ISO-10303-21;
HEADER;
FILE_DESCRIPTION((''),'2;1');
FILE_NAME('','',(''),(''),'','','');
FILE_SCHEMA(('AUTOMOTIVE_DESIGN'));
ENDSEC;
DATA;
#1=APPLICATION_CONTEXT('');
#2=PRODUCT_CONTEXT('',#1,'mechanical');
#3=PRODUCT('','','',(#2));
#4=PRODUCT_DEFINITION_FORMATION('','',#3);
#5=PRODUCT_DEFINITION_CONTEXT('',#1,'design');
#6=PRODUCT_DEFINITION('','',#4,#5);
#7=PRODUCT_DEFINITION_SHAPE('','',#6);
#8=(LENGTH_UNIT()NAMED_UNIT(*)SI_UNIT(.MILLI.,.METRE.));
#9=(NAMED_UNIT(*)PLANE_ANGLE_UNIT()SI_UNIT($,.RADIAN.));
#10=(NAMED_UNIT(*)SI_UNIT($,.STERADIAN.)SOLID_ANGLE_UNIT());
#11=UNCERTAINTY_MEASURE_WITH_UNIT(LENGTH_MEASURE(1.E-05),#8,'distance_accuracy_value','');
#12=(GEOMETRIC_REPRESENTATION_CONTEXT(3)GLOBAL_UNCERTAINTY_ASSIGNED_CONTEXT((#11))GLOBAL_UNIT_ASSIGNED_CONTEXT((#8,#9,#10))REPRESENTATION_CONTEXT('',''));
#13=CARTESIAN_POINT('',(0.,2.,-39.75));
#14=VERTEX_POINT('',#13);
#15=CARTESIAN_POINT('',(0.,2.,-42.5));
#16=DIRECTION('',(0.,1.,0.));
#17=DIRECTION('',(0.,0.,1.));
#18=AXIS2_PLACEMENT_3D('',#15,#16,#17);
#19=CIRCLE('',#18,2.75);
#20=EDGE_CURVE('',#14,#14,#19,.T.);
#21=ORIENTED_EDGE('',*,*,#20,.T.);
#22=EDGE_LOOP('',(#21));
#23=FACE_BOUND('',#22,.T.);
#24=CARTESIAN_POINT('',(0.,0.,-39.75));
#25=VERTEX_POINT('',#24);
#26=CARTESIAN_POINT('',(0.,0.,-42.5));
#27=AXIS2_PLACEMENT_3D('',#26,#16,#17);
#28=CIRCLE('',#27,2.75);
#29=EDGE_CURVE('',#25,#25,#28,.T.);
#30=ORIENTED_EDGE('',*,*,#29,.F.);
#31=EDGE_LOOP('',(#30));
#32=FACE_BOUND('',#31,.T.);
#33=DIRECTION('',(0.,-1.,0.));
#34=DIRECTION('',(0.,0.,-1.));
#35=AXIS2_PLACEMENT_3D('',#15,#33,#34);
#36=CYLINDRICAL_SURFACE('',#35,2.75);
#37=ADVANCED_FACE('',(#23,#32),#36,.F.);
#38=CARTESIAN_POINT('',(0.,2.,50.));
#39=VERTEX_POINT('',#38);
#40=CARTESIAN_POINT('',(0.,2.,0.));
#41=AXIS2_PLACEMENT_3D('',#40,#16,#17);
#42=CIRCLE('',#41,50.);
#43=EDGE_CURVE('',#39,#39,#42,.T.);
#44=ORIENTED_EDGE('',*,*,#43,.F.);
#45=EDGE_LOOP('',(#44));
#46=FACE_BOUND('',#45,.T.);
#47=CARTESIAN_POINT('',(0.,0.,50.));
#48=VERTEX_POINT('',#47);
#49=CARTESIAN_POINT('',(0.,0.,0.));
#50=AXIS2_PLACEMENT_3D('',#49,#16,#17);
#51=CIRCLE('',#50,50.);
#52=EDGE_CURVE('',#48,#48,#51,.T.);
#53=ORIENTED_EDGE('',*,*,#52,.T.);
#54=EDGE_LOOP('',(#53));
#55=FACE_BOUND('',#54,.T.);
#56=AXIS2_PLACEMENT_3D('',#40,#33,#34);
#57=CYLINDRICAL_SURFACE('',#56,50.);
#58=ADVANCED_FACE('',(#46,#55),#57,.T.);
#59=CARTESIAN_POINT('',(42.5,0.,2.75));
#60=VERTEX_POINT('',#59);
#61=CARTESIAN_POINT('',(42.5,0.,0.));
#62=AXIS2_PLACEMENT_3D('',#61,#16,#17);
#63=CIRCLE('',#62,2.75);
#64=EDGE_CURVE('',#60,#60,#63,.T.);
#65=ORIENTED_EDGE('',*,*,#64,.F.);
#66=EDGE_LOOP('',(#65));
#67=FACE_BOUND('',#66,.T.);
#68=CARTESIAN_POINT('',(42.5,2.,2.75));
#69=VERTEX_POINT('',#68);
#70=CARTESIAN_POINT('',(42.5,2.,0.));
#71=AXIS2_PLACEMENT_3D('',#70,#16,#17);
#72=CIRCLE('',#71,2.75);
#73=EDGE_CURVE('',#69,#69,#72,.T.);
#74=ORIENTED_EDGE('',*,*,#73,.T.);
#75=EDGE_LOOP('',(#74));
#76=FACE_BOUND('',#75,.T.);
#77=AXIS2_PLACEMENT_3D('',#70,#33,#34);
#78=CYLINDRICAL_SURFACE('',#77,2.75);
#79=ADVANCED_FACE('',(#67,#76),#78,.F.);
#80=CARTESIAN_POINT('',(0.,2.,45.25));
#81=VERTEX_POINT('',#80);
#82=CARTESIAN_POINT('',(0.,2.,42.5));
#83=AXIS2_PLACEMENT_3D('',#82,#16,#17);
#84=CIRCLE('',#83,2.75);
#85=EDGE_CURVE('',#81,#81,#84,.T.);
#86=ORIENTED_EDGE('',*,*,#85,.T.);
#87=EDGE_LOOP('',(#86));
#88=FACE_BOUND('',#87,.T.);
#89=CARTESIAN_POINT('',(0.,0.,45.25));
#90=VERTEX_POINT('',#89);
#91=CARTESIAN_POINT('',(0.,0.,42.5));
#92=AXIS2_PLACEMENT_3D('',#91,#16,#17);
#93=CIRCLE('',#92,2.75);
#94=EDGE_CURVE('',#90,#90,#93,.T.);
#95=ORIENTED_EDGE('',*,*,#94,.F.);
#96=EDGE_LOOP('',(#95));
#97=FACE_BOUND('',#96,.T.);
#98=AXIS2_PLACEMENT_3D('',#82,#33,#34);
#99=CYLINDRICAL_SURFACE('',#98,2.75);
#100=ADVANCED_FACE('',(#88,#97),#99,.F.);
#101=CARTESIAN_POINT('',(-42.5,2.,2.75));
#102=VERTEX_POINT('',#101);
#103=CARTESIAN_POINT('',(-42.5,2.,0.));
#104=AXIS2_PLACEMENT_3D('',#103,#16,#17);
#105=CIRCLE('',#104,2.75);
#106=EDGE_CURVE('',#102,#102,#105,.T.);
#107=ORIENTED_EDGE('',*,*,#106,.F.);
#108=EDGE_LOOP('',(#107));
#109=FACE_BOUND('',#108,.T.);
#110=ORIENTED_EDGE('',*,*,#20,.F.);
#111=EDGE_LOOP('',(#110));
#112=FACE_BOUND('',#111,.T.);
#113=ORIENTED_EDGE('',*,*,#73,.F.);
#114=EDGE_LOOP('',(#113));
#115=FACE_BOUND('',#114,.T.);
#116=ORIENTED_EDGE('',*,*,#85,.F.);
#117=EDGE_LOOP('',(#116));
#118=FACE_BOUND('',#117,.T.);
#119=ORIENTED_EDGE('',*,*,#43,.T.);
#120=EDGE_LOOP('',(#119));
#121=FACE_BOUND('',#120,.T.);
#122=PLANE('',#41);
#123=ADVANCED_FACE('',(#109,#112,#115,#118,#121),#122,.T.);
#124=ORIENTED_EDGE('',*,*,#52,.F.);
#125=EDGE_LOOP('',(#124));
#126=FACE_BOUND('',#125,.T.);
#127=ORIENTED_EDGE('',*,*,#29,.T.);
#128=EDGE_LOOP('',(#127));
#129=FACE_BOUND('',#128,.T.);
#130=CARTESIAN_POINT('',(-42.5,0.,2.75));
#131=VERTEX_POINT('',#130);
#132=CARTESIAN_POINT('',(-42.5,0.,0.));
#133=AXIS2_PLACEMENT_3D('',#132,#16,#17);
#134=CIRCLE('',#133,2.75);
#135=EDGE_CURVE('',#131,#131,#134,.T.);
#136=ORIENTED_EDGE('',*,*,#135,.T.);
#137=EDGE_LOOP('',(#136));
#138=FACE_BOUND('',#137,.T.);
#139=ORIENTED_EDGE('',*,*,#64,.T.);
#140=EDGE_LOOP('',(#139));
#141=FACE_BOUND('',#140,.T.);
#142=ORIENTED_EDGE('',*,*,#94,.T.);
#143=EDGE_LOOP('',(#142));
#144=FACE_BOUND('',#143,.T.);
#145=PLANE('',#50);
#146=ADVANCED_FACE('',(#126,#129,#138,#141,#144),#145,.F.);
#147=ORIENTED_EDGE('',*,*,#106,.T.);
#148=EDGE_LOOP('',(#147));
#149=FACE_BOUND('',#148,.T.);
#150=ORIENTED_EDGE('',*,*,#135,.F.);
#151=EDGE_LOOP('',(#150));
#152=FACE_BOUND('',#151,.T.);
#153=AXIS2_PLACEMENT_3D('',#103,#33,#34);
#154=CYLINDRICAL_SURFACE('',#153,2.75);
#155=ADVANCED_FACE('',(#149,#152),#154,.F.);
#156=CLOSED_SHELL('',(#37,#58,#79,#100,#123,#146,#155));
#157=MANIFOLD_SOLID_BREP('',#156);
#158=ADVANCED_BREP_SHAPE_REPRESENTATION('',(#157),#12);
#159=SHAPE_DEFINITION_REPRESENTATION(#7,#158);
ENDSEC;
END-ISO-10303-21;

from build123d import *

# Parameters (mm, degrees)
SKETCH1_R           = 50
SKETCH1_R_2         = 2.75
BOSS_EXTRUDE1_DEPTH = 2


with BuildPart() as part:
    # Sketch1 → Boss-Extrude1 (new body)
    with BuildSketch(Plane(origin=(0, 0, 0), x_dir=(1, 0, 0), z_dir=(0, 1, 0))):
        with Locations(Location((0, 0, 0), (0, 0, 270))):
            Circle(SKETCH1_R)
        with Locations(Location((0, 42.5, 0), (0, 0, 270))):
            Circle(SKETCH1_R_2, mode=Mode.SUBTRACT)
        with Locations(Location((42.5, 0, 0), (0, 0, 270))):
            Circle(SKETCH1_R_2, mode=Mode.SUBTRACT)
        with Locations(Location((0, -42.5, 0), (0, 0, 270))):
            Circle(SKETCH1_R_2, mode=Mode.SUBTRACT)
        with Locations(Location((-42.5, 0, 0), (0, 0, 270))):
            Circle(SKETCH1_R_2, mode=Mode.SUBTRACT)
    extrude(amount=BOSS_EXTRUDE1_DEPTH)


solid = part.part
